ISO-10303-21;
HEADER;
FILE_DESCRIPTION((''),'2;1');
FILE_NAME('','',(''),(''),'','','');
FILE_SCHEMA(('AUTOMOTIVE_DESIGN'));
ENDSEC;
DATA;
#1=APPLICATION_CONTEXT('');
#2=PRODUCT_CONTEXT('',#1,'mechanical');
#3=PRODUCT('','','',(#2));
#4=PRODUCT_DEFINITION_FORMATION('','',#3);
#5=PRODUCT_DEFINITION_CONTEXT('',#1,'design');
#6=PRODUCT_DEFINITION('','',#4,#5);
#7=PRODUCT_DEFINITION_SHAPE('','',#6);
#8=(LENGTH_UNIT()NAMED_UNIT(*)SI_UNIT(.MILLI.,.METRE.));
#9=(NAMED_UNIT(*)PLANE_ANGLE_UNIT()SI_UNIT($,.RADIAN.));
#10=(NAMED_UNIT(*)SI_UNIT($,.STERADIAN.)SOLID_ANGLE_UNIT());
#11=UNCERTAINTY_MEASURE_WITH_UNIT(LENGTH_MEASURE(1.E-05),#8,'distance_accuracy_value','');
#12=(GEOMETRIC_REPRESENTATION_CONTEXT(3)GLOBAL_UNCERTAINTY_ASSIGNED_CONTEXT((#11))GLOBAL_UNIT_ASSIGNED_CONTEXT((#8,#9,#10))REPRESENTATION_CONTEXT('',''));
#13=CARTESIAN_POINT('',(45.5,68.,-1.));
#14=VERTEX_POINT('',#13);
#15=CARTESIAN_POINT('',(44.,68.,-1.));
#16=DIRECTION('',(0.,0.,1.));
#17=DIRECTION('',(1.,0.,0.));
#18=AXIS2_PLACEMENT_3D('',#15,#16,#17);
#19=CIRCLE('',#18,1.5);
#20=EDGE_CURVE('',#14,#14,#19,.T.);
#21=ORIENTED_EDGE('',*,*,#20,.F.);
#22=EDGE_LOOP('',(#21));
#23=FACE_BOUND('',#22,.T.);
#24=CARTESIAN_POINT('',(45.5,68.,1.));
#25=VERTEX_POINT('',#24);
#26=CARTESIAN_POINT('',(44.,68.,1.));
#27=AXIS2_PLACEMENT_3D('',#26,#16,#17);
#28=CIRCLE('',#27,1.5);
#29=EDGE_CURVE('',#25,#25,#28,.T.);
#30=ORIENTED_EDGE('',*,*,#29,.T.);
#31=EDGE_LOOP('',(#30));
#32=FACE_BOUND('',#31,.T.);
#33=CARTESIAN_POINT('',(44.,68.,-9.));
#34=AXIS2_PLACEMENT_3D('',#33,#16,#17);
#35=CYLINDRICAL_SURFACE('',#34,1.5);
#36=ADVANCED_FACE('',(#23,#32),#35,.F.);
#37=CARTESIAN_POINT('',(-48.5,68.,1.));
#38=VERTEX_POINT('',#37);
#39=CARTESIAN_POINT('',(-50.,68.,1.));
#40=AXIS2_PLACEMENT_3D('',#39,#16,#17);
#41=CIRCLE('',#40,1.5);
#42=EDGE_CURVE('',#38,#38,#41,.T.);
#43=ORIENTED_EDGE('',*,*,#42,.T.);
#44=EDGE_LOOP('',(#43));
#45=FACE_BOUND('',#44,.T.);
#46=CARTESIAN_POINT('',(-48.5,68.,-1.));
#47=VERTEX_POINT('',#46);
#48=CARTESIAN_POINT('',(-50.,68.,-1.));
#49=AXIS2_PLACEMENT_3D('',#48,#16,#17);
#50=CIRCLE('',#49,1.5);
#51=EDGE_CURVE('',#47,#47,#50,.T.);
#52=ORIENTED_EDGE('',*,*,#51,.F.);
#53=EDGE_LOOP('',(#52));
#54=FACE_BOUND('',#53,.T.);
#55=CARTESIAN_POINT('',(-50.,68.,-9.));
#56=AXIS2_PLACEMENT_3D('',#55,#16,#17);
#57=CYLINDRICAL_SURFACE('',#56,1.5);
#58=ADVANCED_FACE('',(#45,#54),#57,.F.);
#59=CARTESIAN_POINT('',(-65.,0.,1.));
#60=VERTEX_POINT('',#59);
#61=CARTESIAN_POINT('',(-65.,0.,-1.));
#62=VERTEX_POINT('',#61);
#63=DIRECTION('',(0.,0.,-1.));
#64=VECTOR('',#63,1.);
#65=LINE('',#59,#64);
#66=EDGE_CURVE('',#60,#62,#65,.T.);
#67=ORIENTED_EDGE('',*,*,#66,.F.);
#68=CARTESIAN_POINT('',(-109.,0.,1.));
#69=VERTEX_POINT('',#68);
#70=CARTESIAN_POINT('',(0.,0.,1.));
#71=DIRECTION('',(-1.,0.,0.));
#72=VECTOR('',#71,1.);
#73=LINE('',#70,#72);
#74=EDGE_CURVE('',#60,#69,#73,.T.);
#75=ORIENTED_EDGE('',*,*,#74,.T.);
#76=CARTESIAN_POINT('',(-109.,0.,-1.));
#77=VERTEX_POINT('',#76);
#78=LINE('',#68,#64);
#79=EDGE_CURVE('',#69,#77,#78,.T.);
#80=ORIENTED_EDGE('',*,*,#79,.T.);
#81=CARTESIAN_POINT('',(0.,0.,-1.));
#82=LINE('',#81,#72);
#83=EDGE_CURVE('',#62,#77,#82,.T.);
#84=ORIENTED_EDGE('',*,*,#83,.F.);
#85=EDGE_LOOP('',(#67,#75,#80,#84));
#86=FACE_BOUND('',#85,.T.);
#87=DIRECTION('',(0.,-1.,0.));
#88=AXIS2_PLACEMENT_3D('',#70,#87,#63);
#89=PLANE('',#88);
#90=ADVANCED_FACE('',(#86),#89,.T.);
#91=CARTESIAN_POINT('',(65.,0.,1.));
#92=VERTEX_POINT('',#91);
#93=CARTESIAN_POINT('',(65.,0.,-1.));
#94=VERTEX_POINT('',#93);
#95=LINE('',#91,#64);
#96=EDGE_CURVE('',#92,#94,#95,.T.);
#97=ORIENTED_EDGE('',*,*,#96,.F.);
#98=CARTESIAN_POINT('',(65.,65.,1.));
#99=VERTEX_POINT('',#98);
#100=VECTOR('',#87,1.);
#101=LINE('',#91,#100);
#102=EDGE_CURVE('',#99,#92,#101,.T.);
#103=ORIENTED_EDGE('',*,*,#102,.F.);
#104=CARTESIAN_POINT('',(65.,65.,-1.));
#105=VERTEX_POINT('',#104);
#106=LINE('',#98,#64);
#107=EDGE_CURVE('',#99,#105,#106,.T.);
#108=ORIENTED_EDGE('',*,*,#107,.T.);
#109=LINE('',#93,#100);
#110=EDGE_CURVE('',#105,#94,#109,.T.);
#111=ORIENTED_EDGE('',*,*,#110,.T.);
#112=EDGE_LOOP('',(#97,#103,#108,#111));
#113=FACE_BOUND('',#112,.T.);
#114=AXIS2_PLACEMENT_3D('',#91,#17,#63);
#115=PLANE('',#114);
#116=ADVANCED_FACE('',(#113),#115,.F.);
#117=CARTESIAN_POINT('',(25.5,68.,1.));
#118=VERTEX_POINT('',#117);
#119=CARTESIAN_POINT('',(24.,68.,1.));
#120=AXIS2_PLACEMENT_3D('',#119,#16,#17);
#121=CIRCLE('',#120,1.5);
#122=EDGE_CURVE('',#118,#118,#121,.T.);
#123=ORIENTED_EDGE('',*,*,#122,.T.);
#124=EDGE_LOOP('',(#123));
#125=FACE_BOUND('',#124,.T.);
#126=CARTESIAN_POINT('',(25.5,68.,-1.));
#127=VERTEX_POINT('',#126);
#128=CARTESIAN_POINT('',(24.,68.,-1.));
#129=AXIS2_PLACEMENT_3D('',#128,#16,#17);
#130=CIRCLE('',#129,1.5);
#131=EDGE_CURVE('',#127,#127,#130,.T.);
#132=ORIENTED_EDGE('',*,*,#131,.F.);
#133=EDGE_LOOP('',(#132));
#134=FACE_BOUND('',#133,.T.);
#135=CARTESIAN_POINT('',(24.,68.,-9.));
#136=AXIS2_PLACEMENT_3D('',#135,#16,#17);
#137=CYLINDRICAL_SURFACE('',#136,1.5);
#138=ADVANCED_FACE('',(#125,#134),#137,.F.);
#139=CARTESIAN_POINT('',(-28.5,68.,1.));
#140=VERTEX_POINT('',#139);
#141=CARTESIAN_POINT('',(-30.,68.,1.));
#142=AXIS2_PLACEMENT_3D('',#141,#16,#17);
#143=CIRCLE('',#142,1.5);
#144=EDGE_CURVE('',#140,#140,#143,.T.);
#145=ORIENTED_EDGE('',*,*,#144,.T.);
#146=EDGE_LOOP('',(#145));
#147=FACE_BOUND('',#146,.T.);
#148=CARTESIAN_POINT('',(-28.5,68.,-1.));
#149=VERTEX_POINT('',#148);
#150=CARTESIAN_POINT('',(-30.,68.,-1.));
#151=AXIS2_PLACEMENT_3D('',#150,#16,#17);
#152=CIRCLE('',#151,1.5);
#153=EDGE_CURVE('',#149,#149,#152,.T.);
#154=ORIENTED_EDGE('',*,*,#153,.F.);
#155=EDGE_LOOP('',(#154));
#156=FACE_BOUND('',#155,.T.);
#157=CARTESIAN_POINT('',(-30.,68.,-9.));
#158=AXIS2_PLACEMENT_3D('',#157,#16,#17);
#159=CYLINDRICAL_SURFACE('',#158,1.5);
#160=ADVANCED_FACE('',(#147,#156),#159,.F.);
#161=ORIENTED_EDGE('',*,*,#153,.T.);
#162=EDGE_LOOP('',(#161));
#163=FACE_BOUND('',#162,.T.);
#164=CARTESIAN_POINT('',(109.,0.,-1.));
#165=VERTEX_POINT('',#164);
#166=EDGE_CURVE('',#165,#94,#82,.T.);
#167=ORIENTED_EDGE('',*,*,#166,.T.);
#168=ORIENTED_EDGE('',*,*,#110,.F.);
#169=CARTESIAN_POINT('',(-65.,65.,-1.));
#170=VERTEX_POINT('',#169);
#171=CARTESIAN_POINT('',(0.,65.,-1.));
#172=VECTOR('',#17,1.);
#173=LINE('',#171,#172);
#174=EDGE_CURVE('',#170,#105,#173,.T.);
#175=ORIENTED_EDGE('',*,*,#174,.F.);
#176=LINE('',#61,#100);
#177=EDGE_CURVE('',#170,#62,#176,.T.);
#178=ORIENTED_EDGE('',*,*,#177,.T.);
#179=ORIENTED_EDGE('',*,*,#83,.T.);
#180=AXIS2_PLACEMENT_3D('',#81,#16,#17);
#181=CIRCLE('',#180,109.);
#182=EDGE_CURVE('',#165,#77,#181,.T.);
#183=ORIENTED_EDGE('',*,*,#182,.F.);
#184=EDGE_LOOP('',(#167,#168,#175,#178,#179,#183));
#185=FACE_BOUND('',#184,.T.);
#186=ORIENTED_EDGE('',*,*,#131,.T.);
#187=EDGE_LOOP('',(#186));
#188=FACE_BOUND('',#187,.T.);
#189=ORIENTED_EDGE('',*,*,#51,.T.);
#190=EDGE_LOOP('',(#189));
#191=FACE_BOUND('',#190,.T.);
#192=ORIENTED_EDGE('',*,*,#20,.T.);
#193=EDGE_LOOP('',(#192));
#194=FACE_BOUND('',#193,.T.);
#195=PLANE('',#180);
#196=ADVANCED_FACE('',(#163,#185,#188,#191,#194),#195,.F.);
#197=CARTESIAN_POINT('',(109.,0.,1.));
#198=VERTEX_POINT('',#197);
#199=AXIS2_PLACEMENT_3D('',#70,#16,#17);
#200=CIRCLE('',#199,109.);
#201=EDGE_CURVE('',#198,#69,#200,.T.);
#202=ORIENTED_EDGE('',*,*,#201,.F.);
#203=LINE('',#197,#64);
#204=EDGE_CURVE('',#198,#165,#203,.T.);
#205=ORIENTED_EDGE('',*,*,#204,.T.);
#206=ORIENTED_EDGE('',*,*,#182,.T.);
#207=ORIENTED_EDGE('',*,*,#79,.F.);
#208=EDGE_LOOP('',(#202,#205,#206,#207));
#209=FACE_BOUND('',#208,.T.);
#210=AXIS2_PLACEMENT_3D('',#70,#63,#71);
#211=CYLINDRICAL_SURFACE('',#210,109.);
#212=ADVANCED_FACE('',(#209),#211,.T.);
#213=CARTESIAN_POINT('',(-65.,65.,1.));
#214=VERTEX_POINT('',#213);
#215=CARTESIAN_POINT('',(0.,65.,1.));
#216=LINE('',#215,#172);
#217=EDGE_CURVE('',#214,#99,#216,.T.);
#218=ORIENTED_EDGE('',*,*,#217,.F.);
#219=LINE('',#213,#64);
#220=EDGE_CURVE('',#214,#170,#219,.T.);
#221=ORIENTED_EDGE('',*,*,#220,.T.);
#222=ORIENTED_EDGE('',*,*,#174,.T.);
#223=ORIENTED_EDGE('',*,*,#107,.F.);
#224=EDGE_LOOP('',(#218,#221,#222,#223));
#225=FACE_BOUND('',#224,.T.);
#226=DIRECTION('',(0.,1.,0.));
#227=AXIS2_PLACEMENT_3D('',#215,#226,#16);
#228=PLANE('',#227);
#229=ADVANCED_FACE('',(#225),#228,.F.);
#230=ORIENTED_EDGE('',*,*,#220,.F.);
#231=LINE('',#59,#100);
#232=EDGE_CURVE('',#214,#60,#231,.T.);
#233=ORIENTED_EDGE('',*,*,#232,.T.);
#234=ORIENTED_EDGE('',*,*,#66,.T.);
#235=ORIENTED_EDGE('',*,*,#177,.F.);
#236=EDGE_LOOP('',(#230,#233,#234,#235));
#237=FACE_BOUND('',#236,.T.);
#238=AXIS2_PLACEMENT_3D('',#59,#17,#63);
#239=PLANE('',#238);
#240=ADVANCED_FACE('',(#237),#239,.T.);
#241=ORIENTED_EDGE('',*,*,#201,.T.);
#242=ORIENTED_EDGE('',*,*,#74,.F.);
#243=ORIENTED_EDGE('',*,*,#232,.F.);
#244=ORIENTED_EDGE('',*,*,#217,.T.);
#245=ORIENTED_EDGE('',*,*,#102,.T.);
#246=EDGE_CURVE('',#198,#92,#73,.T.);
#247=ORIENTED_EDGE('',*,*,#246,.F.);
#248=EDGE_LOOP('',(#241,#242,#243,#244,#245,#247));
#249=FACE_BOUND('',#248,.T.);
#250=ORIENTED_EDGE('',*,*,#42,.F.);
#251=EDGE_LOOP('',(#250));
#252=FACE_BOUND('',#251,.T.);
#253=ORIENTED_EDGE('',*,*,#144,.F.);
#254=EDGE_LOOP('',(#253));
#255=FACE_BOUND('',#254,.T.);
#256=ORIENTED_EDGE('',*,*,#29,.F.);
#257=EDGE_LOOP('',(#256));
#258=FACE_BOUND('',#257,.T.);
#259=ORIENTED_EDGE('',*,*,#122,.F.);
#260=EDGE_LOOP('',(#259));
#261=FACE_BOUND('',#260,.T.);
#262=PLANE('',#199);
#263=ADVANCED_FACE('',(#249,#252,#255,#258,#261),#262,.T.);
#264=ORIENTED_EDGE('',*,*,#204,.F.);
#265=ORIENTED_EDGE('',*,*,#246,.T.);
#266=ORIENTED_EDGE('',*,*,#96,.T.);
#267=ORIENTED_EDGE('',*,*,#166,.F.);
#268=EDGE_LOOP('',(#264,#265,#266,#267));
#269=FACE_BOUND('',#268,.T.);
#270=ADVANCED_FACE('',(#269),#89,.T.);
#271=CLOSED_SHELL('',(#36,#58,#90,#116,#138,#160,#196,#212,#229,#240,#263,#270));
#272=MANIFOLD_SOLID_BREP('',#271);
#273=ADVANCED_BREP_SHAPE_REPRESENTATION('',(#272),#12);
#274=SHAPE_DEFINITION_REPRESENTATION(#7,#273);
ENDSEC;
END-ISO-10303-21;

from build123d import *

# Parameters (mm, degrees)
EXTRUDE_1_DEPTH     = 1
SKETCH_2_R          = 1.5
CUT_EXTRUDE_1_DEPTH = 10


with BuildPart() as part:
    # 草图1 → 凸台-拉伸1 (new, symmetric)
    with BuildSketch(Plane.XY):
        with BuildLine():
            ThreePointArc((109, 0), (0, 109), (-109, 0))
            Line((-109, 0), (-65, 0))
            Line((-65, 0), (-65, 65))
            Line((-65, 65), (65, 65))
            Line((65, 65), (65, 0))
            Line((65, 0), (109, 0))
        make_face()
    extrude(amount=EXTRUDE_1_DEPTH, both=True)

    # 草图2 → 切除-拉伸1 (cut)
    with BuildSketch(Plane.XY.offset(1)):
        with Locations((44, 68)):
            Circle(SKETCH_2_R)
        with Locations((24, 68)):
            Circle(SKETCH_2_R)
        with Locations((-30, 68)):
            Circle(SKETCH_2_R)
        with Locations((-50, 68)):
            Circle(SKETCH_2_R)
    extrude(amount=-CUT_EXTRUDE_1_DEPTH, mode=Mode.SUBTRACT)


solid = part.part
